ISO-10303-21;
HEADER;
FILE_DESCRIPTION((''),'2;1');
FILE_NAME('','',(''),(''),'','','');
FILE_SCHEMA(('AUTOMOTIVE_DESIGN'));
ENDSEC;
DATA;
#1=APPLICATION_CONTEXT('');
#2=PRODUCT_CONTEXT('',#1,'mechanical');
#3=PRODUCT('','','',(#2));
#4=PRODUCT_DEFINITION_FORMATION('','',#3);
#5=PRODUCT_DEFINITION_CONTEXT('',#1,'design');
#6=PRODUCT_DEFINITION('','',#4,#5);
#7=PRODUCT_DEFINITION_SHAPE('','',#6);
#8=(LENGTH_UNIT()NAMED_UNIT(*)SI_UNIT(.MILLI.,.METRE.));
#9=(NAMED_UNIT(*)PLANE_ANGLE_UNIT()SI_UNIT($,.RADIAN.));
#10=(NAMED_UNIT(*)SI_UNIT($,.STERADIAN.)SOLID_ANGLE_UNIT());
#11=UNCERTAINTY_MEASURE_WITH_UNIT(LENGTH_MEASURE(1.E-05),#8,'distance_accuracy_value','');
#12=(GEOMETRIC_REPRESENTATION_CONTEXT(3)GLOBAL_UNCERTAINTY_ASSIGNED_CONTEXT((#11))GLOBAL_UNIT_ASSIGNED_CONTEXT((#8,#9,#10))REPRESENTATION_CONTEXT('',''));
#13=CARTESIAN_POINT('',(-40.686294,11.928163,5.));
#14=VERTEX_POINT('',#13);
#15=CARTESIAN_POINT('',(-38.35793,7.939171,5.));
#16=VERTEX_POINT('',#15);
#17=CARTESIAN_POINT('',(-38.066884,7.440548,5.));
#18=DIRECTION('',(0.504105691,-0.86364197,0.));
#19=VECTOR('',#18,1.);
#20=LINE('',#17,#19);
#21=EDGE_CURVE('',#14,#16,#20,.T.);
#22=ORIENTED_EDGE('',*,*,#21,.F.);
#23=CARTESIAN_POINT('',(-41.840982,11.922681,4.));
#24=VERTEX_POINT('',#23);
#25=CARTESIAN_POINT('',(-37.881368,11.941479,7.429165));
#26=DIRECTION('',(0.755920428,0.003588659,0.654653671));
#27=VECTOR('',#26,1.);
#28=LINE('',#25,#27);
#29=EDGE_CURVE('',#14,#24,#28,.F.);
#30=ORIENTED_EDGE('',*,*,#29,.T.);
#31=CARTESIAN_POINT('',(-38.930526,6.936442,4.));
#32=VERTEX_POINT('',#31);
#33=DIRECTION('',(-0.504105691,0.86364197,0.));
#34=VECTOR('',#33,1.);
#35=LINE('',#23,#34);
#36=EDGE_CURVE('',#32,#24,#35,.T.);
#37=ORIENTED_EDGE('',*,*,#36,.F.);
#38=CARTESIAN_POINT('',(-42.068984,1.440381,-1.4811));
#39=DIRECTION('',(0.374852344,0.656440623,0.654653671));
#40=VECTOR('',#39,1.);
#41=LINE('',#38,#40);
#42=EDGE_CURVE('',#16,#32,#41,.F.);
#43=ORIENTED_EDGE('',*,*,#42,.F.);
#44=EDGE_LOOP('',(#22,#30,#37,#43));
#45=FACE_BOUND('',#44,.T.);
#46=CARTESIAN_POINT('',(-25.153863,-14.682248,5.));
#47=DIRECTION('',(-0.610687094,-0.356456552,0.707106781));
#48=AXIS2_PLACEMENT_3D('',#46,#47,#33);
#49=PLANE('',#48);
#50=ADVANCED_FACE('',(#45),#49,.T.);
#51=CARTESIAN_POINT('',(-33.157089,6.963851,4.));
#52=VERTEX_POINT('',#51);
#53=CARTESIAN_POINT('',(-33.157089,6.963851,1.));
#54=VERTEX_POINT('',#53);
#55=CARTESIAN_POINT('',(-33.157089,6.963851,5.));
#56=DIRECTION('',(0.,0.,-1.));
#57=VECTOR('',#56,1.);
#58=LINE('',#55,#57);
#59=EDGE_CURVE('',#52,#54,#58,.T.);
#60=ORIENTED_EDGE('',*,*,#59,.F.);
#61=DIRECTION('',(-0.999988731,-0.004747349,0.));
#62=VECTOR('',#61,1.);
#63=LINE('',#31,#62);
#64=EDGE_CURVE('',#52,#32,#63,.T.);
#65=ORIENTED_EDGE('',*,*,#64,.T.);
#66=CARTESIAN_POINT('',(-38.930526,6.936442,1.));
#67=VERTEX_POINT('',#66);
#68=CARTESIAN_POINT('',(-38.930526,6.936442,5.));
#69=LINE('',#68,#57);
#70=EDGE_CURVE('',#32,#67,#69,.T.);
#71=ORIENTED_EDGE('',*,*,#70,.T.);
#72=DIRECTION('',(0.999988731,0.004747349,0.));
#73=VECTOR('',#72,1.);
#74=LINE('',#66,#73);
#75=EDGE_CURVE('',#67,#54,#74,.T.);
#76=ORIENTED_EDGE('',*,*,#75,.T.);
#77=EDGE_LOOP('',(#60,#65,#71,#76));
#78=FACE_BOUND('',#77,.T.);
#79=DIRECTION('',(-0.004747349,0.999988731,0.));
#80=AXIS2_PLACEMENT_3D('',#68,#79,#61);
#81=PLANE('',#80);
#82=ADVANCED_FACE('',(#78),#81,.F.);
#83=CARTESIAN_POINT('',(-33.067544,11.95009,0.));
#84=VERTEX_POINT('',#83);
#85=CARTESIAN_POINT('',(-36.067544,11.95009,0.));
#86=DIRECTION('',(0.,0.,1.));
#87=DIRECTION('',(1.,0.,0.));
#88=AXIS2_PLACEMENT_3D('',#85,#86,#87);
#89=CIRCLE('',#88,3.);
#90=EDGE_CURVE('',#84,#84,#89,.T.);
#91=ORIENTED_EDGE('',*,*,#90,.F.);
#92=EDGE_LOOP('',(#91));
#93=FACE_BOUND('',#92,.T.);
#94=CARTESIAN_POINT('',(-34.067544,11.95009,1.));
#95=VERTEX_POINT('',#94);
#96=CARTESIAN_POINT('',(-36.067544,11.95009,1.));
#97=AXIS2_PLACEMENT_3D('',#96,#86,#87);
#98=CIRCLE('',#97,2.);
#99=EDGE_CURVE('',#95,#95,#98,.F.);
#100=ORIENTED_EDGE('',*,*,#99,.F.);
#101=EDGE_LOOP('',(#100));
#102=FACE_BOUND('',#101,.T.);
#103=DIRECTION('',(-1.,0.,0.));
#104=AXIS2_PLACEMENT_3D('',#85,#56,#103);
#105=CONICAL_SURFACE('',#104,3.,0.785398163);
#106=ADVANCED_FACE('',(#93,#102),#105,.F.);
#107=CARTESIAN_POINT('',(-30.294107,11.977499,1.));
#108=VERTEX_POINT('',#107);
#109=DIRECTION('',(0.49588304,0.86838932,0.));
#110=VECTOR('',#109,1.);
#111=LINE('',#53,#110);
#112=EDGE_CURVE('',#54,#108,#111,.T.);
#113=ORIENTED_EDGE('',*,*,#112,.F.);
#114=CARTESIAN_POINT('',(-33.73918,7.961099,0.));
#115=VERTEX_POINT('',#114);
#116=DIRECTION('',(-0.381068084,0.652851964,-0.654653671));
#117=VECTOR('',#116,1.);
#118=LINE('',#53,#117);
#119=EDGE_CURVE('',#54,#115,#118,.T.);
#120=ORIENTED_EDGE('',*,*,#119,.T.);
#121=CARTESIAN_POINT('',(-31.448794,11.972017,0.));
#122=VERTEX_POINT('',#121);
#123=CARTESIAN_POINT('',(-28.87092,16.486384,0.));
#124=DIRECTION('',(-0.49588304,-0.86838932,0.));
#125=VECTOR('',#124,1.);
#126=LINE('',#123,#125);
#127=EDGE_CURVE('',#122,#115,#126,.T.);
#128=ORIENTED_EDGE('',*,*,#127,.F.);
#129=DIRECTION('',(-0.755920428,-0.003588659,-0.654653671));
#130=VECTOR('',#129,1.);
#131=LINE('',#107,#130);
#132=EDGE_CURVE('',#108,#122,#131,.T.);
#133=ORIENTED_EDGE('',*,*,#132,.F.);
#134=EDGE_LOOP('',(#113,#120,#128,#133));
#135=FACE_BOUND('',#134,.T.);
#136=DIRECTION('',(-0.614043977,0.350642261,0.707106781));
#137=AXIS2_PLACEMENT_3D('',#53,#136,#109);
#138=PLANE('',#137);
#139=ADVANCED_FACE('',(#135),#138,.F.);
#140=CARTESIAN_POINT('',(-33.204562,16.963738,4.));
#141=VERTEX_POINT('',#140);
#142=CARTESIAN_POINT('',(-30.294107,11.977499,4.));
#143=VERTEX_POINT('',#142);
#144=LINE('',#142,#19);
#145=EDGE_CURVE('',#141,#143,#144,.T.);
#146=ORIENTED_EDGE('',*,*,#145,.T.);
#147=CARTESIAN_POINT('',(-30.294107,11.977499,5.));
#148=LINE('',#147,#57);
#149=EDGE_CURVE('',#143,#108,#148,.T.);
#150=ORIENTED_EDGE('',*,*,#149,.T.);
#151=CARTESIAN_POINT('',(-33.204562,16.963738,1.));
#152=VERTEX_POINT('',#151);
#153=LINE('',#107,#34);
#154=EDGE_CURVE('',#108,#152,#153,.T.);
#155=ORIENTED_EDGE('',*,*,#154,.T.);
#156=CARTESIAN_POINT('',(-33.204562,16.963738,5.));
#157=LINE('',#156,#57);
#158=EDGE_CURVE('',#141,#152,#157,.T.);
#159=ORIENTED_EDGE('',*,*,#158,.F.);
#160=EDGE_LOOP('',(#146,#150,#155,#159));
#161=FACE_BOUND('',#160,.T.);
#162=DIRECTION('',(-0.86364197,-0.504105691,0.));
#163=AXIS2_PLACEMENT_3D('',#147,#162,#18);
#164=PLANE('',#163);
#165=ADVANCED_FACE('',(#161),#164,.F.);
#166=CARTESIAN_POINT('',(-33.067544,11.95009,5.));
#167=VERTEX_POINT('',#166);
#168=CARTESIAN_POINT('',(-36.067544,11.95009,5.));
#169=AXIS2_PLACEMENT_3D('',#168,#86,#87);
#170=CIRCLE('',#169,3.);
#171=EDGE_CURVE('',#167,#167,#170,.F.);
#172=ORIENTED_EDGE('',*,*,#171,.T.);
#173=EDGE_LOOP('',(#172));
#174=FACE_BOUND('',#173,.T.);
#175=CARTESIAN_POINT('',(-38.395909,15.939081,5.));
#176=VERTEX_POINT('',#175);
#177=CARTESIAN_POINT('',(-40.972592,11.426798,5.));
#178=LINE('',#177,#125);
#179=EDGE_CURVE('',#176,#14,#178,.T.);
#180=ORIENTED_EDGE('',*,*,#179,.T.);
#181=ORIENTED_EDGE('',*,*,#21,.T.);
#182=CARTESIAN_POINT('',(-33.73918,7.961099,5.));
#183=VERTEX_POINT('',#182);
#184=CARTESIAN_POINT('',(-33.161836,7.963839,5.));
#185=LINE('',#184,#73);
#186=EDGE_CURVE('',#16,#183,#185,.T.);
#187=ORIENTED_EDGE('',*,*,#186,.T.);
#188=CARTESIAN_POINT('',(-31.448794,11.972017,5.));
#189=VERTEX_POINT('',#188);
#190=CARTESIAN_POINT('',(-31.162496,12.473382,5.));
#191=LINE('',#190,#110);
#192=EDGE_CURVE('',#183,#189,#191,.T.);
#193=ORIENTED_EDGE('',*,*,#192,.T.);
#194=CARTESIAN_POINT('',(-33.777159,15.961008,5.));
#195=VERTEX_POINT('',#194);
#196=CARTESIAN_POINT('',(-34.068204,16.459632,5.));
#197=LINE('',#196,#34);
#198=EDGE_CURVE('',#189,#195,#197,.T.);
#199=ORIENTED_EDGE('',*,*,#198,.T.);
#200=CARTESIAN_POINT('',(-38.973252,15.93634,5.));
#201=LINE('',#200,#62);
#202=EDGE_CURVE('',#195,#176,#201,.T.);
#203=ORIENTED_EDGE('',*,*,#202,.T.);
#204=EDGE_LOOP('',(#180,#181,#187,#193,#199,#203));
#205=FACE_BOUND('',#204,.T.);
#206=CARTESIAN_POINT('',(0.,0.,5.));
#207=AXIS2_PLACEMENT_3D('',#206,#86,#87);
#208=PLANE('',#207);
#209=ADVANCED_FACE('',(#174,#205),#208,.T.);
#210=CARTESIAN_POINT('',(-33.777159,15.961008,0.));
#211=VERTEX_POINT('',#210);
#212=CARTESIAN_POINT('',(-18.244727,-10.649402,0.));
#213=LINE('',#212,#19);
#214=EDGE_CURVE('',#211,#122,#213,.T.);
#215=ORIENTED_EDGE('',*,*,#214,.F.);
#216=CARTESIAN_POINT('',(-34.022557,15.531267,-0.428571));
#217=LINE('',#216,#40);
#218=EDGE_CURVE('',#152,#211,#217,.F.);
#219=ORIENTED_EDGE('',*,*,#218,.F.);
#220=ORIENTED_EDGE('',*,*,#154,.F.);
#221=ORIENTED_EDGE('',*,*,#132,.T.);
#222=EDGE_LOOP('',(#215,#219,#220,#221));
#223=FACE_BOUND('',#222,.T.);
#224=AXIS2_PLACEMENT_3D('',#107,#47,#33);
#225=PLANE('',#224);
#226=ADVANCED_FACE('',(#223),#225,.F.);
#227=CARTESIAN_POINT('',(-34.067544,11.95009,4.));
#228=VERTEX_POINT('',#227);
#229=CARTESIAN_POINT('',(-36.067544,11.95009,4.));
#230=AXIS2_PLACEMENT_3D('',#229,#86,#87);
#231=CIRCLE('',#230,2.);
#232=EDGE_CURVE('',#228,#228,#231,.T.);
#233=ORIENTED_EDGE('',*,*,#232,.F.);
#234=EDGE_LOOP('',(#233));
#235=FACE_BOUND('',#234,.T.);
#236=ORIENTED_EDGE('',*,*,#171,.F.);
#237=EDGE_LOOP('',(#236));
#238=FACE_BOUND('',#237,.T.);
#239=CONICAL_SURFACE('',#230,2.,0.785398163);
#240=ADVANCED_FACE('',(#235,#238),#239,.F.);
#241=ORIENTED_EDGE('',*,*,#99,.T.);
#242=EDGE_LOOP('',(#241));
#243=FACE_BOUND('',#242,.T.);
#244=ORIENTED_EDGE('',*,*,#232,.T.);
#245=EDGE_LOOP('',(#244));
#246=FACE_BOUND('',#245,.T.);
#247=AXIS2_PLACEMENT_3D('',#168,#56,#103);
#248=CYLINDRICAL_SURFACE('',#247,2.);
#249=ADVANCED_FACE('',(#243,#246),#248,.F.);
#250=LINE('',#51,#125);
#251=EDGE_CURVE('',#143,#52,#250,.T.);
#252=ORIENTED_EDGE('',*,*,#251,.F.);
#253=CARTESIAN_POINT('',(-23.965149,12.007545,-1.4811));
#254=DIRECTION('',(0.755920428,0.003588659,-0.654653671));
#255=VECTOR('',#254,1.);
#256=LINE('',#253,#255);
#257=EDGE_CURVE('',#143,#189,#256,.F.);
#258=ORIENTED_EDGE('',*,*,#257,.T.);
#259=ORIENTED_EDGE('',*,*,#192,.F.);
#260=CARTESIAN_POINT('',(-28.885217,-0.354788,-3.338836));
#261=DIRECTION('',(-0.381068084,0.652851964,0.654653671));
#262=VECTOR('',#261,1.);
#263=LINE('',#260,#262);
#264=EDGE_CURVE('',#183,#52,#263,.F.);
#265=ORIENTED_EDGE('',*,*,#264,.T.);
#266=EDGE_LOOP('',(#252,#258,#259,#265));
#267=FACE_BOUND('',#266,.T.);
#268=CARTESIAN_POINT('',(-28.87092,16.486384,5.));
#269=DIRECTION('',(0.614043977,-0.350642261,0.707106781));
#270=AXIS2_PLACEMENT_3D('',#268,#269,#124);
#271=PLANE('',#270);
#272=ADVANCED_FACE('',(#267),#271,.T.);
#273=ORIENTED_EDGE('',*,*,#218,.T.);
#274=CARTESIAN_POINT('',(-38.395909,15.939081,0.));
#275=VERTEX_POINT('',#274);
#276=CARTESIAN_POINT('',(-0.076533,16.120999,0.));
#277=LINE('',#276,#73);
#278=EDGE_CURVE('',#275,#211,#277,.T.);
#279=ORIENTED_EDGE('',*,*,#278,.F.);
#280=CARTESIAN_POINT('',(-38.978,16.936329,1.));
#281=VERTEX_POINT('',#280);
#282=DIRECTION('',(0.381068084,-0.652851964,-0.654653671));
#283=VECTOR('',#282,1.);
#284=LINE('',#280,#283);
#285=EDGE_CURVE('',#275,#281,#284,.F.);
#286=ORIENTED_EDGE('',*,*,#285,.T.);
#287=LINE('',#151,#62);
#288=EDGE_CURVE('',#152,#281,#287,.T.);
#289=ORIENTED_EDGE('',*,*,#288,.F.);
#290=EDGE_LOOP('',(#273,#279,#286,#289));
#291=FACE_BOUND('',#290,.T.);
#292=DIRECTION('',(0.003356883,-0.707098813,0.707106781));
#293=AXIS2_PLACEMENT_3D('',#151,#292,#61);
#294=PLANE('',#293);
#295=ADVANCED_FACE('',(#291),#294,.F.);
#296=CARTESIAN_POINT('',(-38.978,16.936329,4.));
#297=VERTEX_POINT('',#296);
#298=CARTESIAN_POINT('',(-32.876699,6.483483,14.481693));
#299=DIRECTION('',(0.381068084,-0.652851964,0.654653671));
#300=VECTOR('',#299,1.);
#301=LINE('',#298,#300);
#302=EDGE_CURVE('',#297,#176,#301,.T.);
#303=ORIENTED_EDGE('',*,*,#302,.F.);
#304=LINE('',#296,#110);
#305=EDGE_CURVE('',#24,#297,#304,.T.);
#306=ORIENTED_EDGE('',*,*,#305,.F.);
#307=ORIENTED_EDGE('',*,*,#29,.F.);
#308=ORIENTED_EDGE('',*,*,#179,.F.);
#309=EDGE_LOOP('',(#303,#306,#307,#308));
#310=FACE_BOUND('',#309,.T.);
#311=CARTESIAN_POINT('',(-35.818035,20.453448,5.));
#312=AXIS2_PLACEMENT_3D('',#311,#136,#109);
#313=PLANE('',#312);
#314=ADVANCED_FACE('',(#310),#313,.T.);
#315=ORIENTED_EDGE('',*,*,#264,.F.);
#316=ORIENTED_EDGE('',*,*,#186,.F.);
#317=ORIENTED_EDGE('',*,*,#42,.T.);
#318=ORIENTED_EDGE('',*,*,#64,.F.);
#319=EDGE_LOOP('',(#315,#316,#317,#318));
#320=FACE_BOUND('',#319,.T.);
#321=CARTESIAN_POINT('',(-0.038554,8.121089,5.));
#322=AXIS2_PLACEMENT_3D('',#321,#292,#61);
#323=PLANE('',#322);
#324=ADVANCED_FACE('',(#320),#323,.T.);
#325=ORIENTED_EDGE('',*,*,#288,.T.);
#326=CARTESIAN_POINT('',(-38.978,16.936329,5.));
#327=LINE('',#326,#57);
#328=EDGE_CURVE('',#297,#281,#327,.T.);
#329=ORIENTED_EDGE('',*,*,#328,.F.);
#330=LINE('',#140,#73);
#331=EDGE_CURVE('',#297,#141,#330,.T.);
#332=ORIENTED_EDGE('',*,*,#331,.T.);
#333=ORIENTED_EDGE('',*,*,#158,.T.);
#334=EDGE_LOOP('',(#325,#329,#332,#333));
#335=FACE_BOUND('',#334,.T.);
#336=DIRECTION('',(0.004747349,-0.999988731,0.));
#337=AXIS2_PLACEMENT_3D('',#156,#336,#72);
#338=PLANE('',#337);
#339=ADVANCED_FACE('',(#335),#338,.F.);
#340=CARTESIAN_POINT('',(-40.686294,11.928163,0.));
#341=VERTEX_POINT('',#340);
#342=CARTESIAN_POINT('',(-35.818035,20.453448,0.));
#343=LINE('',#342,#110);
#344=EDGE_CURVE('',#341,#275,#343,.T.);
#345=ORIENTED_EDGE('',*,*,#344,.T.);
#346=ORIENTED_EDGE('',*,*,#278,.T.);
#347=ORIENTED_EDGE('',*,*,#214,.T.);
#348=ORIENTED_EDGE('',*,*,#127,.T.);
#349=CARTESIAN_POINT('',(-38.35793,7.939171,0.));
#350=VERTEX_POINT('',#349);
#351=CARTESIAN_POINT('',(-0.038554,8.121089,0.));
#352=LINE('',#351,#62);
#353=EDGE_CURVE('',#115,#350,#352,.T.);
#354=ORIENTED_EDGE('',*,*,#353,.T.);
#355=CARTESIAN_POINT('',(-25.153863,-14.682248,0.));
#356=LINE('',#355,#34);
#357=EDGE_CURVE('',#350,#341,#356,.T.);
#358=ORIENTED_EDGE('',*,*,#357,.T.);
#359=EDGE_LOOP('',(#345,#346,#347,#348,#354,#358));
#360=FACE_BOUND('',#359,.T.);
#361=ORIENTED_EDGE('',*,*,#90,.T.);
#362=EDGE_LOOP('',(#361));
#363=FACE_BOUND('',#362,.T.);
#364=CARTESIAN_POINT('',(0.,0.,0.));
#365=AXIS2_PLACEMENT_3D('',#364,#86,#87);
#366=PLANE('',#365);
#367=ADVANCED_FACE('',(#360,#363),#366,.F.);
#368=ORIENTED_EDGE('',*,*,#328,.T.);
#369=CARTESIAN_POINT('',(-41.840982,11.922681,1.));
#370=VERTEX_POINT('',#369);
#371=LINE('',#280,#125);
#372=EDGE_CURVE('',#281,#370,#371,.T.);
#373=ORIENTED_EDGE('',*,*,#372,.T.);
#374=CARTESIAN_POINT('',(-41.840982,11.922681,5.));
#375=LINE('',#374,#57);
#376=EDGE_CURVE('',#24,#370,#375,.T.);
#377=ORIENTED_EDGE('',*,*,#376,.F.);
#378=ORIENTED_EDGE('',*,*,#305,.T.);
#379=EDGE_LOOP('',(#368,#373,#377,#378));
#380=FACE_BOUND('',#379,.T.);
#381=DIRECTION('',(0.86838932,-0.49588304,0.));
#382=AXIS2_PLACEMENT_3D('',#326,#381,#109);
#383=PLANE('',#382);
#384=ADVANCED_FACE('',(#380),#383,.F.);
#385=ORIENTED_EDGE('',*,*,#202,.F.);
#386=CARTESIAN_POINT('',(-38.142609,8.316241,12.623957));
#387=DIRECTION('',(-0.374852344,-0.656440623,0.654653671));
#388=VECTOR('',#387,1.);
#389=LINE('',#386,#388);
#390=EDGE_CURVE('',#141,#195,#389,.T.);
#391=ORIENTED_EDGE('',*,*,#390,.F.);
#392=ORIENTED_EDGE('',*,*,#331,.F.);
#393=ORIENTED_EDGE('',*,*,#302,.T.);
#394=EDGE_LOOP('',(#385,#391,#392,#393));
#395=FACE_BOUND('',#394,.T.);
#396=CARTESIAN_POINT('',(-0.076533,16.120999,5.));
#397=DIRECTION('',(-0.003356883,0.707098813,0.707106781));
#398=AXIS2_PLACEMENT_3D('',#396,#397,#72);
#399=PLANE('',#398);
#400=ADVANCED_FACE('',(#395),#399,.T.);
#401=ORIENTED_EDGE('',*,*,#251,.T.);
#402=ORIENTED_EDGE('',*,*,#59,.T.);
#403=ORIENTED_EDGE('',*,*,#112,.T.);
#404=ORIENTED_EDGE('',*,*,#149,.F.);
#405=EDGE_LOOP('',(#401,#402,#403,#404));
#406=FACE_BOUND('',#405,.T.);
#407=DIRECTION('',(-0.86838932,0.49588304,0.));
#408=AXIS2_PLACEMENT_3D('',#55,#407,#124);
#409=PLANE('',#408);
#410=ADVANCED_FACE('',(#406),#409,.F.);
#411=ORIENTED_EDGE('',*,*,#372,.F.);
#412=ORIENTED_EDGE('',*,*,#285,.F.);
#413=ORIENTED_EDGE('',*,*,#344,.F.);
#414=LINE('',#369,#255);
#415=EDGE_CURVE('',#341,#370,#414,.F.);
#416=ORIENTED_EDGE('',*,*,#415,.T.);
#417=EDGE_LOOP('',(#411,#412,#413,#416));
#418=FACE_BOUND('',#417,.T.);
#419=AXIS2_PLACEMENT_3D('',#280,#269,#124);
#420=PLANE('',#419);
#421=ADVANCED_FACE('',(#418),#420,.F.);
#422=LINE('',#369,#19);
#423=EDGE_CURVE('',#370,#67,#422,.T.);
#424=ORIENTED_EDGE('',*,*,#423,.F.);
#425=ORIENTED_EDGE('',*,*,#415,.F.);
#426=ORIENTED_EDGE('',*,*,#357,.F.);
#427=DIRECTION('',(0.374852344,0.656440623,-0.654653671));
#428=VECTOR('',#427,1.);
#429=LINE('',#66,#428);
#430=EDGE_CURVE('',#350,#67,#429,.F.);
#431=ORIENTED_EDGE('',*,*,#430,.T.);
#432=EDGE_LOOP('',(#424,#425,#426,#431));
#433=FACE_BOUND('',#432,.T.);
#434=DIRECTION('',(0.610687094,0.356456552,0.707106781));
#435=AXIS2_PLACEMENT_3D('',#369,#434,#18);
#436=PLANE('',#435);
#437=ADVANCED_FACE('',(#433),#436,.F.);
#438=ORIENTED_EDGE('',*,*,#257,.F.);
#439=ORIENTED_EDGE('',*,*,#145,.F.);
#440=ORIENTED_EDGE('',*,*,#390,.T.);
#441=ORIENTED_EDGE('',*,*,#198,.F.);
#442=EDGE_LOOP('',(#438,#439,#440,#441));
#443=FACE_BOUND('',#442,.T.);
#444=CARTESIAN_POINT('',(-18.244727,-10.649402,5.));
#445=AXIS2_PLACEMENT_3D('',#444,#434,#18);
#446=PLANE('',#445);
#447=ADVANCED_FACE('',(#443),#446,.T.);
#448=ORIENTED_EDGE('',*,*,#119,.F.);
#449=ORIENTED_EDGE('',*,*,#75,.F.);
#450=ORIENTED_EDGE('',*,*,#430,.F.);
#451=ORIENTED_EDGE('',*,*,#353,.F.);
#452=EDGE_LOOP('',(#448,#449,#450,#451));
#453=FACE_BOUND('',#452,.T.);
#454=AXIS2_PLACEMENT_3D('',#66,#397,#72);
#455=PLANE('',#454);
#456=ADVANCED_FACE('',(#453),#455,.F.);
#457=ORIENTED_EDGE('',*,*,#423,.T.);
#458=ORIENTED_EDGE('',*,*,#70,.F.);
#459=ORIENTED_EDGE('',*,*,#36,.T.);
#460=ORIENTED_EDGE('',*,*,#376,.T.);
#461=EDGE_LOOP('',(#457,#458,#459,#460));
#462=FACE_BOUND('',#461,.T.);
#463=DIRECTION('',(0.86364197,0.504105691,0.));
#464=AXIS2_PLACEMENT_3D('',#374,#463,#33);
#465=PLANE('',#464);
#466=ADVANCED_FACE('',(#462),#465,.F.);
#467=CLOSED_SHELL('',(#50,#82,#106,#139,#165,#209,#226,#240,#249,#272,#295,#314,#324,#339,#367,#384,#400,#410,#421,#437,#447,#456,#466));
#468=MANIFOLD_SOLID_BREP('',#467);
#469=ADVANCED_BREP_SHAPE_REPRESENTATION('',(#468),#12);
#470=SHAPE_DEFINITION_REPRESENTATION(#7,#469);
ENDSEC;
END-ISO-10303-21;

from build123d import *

# Parameters (mm, degrees)
SKETCH2_R           = 2
BOSS_EXTRUDE1_DEPTH = 5
CHAMFER2_SIZE       = 1


with BuildPart() as part:
    # Sketch2 → Boss-Extrude1 (new body)
    with BuildSketch(Plane.XY):
        Polygon((-33.204562103, 16.96373801), (-38.977999735, 16.936329175), (-41.840981804, 11.922681101), (-38.93052624, 6.936441863), (-33.157088608, 6.963850698), (-30.29410654, 11.977498771), align=None)
        with Locations((-36.067544172, 11.950089936)):
            Circle(SKETCH2_R, mode=Mode.SUBTRACT)
    extrude(amount=BOSS_EXTRUDE1_DEPTH)

    # Chamfer2
    chamfer2_edges = [part.edges().sort_by_distance(p)[0] for p in [
        (-40.409490769, 14.429505138, 5),
        (-40.385754022, 9.429561482, 5),
        (-38.067544172, 11.950089936, 0),
        (-38.067544172, 11.950089936, 5),
        (-36.043807424, 6.95014628, 5),
        (-31.725597574, 9.470674734, 5),
        (-31.749334322, 14.470618391, 5),
        (-31.725597574, 9.470674734, 0),
        (-36.043807424, 6.95014628, 0),
        (-40.385754022, 9.429561482, 0),
        (-40.409490769, 14.429505138, 0),
        (-36.091280919, 16.950033593, 0),
        (-31.749334322, 14.470618391, 0),
        (-36.091280919, 16.950033593, 5),
    ]]
    chamfer(chamfer2_edges, length=CHAMFER2_SIZE)


solid = part.part
